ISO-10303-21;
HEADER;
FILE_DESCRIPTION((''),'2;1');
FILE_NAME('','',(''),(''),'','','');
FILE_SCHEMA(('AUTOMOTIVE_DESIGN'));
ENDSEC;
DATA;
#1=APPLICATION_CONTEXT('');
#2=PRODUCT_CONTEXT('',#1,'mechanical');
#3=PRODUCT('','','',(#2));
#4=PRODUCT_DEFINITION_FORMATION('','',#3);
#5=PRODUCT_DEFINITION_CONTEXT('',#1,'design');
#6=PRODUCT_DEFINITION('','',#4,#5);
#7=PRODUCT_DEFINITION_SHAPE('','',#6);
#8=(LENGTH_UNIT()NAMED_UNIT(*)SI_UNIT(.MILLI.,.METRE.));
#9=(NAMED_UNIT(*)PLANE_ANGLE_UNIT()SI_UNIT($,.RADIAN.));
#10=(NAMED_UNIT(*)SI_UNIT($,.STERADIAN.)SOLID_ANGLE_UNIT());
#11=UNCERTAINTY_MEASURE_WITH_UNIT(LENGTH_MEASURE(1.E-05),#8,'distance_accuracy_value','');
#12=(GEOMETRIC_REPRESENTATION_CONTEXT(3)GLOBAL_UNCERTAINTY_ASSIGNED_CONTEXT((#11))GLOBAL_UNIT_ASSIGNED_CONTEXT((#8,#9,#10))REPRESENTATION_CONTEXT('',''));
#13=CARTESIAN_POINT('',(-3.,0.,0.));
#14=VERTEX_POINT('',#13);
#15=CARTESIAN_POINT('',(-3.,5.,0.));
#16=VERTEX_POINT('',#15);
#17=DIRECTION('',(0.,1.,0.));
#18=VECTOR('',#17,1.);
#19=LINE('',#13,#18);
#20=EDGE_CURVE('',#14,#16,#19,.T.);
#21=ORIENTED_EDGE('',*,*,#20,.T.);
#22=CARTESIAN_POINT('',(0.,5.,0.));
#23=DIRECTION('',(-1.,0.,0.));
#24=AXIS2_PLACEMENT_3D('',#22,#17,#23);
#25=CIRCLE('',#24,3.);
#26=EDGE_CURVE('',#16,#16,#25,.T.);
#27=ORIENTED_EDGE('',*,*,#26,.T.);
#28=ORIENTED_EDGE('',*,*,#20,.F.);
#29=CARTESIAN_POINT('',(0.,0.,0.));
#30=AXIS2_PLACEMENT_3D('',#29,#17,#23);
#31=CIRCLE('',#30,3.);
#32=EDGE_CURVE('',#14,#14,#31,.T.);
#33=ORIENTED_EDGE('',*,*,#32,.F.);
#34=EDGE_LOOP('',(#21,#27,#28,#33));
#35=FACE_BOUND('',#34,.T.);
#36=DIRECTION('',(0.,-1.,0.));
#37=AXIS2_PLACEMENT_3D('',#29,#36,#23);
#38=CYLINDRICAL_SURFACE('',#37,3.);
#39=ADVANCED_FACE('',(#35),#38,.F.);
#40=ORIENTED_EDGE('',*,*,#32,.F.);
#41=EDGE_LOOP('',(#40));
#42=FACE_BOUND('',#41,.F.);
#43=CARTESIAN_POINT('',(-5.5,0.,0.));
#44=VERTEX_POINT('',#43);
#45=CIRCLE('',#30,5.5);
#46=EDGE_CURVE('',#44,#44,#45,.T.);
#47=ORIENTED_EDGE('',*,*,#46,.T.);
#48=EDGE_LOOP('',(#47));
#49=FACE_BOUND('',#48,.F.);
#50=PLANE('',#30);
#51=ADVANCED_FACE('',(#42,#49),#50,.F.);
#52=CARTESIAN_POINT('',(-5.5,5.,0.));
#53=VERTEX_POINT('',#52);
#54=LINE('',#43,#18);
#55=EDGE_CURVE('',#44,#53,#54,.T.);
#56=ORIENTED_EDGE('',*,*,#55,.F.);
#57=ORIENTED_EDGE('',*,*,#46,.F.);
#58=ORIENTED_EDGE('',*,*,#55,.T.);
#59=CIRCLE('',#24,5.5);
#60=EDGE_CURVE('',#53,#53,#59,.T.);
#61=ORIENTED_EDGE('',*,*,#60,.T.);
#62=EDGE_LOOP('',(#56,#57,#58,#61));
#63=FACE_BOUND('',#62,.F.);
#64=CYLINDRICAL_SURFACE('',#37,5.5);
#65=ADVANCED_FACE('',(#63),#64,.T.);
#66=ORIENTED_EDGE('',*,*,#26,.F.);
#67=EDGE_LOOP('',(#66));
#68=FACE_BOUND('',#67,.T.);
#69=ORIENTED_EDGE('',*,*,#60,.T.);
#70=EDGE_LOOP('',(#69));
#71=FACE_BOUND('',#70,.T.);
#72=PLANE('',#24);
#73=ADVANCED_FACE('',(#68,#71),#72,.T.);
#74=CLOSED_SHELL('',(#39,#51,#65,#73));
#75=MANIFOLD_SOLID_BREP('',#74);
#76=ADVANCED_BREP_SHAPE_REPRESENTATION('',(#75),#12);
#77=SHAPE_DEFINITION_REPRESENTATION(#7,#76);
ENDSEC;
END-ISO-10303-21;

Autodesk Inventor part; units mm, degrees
ref_plane "YZ Plane" through (0, 0, 0) normal (1, 0, 0) x (0, 1, 0)
ref_plane "XZ Plane" through (0, 0, 0) normal (0, 1, 0) x (-1, 0, 0)
ref_plane "XY Plane" through (0, 0, 0) normal (0, 0, 1) x (1, 0, 0)
sketch "Sketch1" plane through (0, 0, 0) normal (0, 1, 0) x (-1, 0, 0)
  circle A0 centre (0, 0) radius 3
  circle A1 centre (0, 0) radius 5.5
  dimension "d0" = 6
  dimension "d1" = 2.5
extrude "Extrusion1" add sketch "Sketch1" along normal blind 5
properties part number "spacer"
